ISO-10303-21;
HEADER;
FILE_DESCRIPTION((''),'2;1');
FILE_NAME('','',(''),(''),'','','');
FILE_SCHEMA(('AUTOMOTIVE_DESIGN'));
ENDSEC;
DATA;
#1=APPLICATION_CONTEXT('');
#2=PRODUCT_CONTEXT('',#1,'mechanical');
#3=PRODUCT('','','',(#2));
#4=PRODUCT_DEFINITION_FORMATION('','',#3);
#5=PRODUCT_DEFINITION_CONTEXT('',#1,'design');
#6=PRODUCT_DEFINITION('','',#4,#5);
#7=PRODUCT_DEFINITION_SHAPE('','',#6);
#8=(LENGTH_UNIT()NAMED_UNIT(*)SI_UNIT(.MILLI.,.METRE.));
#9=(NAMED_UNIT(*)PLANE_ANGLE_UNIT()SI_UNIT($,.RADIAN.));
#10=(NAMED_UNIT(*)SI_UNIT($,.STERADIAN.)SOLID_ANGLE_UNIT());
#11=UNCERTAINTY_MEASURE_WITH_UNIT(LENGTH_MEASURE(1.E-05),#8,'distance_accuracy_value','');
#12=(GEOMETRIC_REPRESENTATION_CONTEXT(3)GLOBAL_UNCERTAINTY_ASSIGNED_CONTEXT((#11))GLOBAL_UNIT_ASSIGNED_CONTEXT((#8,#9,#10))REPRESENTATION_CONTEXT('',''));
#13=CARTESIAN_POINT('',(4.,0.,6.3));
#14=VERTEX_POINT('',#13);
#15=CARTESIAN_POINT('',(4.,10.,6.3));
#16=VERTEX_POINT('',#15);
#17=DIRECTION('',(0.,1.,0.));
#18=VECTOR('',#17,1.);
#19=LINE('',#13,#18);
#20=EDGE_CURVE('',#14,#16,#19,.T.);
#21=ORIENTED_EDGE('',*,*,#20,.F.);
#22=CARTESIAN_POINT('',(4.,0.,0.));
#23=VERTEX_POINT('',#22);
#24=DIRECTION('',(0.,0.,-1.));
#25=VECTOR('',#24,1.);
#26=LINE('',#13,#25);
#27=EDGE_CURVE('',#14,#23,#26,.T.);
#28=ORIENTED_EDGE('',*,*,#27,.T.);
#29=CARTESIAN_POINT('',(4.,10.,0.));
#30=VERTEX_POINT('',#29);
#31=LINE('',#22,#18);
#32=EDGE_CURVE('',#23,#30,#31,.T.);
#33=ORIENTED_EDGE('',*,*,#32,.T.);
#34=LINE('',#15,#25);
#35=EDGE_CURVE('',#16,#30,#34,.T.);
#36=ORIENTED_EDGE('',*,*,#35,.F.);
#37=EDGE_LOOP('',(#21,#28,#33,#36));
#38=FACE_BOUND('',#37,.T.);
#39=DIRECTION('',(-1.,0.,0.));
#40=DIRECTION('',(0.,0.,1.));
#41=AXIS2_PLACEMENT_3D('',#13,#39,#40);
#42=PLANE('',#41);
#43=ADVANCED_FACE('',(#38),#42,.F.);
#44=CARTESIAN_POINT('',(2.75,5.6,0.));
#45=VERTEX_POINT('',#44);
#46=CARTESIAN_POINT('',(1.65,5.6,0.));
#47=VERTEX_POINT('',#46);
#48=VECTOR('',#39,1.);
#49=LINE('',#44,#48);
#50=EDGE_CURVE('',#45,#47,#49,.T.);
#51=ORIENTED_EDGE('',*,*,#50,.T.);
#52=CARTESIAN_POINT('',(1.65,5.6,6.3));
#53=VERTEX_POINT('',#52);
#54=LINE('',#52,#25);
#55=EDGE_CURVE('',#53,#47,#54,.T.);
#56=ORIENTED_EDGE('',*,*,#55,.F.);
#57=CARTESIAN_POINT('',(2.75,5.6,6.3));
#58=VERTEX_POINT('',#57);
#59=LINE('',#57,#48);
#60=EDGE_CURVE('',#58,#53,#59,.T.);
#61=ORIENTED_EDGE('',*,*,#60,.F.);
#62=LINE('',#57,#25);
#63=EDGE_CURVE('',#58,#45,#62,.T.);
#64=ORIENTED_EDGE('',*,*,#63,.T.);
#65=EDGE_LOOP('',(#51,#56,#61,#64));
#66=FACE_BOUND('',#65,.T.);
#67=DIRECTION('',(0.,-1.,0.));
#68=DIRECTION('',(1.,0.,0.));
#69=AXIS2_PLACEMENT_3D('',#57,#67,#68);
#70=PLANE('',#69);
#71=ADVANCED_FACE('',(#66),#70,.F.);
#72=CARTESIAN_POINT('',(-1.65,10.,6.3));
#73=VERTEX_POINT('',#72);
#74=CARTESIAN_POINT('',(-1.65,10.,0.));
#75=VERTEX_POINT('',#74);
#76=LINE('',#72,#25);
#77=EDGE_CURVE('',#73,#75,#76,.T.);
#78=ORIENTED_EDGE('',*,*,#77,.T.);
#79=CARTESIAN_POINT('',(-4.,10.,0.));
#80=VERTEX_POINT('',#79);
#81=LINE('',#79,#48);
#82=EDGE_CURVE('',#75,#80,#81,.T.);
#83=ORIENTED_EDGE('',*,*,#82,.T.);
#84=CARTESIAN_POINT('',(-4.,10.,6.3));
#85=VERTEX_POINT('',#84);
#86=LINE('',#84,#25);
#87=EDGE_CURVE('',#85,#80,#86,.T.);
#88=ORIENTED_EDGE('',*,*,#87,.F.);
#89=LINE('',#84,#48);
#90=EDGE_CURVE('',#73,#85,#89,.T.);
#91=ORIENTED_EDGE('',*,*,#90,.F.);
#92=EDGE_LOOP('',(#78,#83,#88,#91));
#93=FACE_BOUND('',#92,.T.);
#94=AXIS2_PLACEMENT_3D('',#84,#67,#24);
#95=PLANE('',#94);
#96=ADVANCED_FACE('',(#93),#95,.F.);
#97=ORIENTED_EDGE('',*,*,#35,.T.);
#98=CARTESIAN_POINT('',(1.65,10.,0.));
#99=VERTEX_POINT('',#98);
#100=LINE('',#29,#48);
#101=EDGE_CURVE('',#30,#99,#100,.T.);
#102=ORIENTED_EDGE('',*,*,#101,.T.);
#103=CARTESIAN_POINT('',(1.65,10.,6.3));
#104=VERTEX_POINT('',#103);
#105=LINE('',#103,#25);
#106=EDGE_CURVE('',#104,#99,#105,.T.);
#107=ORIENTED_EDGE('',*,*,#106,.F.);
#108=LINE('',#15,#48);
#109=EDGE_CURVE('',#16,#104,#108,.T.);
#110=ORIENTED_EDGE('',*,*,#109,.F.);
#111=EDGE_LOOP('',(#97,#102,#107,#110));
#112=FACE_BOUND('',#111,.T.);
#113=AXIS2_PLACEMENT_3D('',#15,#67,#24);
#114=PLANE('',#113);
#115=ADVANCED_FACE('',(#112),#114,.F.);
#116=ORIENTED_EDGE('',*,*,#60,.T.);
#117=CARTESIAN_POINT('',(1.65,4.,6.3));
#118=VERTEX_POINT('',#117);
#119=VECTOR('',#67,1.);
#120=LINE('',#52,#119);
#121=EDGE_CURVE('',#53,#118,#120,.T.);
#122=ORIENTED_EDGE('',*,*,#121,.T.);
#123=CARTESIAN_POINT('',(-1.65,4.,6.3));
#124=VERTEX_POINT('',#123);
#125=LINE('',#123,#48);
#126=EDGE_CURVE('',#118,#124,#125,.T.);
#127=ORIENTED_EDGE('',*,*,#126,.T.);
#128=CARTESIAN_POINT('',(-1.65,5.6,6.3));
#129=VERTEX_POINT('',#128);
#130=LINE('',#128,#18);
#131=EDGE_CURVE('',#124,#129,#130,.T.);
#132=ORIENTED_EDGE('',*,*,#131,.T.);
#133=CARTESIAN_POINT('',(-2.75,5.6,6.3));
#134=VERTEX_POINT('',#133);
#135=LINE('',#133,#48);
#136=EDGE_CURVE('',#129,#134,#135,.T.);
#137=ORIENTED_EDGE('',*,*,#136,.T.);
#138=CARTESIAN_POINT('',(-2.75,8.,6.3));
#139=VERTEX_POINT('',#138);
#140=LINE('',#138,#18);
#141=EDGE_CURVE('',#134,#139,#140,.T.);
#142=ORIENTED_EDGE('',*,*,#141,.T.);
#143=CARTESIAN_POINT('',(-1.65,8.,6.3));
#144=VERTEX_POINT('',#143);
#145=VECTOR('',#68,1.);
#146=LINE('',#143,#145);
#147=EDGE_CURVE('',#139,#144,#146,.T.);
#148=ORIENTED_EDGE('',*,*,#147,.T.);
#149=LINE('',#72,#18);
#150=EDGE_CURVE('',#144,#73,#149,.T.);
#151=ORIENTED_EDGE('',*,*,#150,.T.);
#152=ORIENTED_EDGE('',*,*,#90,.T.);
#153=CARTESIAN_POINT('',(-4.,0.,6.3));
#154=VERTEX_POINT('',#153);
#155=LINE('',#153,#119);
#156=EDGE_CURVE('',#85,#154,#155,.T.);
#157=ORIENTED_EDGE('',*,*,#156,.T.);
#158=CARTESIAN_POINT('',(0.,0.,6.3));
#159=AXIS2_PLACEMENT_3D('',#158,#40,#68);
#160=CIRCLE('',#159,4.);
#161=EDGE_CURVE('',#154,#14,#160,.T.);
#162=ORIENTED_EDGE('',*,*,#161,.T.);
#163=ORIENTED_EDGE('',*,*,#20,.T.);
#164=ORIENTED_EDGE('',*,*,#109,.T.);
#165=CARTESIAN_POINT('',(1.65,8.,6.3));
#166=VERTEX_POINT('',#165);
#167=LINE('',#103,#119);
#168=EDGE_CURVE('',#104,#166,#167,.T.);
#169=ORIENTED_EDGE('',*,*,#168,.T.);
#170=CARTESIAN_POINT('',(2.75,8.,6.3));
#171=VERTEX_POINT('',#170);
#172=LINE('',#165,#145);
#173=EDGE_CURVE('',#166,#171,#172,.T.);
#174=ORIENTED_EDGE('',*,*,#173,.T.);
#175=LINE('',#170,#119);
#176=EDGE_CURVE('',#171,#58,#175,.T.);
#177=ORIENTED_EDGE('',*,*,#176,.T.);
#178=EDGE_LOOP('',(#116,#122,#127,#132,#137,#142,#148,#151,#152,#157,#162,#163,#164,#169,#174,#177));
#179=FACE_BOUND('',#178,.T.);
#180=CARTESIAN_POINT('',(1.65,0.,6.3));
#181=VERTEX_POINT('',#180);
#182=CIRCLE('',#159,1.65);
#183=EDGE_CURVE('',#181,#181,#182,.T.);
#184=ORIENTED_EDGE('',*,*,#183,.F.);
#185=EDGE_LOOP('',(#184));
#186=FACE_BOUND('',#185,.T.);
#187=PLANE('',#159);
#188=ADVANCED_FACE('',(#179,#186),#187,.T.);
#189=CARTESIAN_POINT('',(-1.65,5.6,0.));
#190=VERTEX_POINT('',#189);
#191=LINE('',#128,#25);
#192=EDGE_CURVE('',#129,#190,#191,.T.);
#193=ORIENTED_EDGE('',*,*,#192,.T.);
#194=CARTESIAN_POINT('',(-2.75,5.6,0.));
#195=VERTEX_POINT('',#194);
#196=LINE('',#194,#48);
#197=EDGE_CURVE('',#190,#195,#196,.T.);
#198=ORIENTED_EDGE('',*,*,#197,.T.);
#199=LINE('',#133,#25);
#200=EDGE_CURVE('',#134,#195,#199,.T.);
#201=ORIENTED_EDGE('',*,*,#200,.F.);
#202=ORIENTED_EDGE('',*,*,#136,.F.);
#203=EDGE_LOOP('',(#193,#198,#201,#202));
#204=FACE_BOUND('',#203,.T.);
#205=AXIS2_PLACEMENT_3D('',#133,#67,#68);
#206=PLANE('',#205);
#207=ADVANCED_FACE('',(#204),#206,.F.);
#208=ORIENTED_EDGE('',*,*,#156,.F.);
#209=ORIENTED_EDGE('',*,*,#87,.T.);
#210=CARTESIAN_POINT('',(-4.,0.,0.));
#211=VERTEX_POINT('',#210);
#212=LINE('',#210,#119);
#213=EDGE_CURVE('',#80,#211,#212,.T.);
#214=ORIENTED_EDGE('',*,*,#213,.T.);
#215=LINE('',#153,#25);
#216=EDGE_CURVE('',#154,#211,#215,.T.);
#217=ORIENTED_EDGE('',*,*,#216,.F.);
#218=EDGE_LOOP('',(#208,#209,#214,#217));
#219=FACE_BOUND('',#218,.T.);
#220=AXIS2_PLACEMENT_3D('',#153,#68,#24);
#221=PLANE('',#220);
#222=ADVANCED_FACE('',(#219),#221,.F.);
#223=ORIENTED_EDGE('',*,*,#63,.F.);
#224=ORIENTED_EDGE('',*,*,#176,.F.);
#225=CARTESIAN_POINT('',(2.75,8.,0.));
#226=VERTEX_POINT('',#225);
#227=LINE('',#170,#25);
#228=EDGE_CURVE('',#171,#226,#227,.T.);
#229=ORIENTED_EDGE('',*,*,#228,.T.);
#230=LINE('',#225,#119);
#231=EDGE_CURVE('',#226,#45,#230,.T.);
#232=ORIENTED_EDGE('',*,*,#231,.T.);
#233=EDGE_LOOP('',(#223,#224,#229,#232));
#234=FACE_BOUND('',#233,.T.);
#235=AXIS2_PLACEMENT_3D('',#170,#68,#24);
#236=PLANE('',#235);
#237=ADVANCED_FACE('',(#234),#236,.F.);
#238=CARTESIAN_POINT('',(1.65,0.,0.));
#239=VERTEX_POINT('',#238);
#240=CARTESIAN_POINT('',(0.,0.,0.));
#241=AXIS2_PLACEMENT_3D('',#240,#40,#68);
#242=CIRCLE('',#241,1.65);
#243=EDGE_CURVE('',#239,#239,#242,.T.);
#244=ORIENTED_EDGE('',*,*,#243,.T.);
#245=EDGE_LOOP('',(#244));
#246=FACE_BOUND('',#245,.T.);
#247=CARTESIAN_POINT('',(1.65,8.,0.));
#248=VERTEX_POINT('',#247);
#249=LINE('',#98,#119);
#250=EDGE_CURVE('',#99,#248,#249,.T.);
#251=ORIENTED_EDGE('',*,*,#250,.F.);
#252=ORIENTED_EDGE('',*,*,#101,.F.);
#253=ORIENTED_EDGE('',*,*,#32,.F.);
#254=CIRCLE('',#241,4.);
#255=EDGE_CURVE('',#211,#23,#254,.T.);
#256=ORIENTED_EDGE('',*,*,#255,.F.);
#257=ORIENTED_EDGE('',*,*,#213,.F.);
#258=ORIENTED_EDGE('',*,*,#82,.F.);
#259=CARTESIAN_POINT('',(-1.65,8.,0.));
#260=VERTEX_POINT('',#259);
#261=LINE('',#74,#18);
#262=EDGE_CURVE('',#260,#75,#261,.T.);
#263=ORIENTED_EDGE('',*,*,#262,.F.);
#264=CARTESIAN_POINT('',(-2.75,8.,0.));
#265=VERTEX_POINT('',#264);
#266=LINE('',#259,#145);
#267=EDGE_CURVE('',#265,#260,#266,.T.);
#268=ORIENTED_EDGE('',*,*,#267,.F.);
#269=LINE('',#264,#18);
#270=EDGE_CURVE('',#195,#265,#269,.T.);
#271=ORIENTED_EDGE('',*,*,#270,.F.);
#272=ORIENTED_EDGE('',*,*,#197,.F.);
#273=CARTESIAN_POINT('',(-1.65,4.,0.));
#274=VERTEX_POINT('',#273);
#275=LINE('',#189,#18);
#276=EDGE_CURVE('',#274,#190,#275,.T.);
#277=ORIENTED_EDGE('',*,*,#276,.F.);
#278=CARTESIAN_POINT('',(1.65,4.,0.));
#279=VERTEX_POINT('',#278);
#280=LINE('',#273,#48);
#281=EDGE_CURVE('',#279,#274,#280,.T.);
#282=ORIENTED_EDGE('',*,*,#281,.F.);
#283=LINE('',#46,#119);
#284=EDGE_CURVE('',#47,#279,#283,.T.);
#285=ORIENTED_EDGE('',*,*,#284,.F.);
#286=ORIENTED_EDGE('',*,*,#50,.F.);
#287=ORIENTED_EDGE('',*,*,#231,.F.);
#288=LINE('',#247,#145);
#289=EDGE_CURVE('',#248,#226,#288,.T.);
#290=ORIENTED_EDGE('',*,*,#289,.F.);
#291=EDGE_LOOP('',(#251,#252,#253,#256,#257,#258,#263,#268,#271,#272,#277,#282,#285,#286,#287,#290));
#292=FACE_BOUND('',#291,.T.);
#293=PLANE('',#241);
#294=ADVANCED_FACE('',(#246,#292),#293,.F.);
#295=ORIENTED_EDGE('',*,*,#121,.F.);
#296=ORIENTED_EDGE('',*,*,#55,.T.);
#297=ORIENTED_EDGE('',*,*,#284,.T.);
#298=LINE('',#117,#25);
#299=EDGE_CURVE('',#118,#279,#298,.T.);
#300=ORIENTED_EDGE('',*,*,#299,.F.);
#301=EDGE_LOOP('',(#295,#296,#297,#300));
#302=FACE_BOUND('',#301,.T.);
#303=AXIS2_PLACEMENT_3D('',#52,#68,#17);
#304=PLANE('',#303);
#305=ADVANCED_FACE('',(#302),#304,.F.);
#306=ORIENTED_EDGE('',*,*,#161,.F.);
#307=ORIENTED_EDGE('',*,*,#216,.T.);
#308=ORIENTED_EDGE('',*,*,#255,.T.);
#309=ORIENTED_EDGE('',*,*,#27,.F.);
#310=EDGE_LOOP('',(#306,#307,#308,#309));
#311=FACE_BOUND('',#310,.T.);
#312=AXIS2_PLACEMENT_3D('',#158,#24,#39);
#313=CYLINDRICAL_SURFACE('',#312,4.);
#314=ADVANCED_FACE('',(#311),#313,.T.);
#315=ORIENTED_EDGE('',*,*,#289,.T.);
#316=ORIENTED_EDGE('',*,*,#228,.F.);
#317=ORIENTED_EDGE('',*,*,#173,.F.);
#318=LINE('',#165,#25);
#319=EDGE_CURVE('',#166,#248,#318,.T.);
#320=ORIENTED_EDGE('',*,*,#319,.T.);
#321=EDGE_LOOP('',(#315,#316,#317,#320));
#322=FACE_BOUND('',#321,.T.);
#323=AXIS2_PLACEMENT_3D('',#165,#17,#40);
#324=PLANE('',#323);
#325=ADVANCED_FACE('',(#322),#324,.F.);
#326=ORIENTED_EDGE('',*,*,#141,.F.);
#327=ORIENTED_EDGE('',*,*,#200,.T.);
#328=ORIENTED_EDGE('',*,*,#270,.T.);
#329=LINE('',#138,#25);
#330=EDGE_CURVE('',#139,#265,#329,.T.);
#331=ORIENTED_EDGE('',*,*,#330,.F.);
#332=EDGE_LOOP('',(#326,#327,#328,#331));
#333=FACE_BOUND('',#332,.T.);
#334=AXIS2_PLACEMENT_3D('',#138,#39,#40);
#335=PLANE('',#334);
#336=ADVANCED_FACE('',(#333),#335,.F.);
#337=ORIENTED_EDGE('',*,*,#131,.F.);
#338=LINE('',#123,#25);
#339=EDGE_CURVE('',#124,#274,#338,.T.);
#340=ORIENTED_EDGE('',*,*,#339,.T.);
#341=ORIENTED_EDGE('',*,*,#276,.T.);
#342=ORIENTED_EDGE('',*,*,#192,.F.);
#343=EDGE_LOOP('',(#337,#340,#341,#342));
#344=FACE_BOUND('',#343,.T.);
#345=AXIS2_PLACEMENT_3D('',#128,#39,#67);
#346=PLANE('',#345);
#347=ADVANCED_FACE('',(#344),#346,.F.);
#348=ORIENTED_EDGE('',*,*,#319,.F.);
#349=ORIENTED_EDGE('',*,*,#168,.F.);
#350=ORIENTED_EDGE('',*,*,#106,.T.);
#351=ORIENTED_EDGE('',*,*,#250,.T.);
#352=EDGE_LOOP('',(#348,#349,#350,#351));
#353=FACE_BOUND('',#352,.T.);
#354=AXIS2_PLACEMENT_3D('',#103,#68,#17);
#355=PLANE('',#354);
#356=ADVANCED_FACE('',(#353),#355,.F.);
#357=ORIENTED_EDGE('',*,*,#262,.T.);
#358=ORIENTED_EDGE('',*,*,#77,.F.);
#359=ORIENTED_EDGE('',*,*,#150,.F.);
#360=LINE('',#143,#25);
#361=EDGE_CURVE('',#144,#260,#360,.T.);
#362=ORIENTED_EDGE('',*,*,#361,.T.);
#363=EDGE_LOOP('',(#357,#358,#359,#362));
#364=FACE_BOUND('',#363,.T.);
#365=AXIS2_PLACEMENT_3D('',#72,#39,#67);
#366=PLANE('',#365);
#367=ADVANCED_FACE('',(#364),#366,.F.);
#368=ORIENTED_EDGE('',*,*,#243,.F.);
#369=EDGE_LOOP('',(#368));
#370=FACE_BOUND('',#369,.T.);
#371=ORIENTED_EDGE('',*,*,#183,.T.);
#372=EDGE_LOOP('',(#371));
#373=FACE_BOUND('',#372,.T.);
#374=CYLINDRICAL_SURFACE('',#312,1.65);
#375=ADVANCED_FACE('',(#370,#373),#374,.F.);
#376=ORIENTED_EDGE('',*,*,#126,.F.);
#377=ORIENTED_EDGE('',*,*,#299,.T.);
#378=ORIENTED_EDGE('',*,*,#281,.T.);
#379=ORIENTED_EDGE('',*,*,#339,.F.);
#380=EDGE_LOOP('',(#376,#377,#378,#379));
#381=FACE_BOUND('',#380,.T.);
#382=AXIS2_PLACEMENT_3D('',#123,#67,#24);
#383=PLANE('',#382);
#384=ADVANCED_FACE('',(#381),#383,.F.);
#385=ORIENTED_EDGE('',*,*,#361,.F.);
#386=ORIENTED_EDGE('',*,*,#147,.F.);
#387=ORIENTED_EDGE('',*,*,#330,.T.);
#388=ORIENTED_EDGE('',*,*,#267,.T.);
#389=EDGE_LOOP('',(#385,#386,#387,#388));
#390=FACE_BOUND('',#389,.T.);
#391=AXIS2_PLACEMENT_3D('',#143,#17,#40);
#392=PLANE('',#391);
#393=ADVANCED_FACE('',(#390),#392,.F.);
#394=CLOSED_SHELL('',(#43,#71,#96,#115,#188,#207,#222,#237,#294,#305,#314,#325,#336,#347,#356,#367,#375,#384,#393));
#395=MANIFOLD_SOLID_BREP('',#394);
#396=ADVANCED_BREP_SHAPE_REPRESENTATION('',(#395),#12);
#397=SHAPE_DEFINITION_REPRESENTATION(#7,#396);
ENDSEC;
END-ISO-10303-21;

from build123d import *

# Parameters (mm, degrees)
SKETCH1_R           = 1.65
BOSS_EXTRUDE1_DEPTH = 6.3


with BuildPart() as part:
    # Sketch1 → Boss-Extrude1 (new body)
    with BuildSketch(Plane.XY):
        with BuildLine():
            Line((-4, 0), (-4, 10))
            Line((-4, 10), (-1.65, 10))
            Line((-1.65, 10), (-1.65, 8))
            Line((-1.65, 8), (-2.75, 8))
            Line((-2.75, 8), (-2.75, 5.6))
            Line((-2.75, 5.6), (-1.65, 5.6))
            Line((-1.65, 5.6), (-1.65, 4))
            Line((-1.65, 4), (1.65, 4))
            Line((1.65, 4), (1.65, 5.6))
            Line((1.65, 5.6), (2.75, 5.6))
            Line((2.75, 5.6), (2.75, 8))
            Line((2.75, 8), (1.65, 8))
            Line((1.65, 8), (1.65, 10))
            Line((1.65, 10), (4, 10))
            Line((4, 10), (4, 0))
            ThreePointArc((4, 0), (0, -4), (-4, 0))
        make_face()
        Circle(SKETCH1_R, mode=Mode.SUBTRACT)
    extrude(amount=BOSS_EXTRUDE1_DEPTH)


solid = part.part
